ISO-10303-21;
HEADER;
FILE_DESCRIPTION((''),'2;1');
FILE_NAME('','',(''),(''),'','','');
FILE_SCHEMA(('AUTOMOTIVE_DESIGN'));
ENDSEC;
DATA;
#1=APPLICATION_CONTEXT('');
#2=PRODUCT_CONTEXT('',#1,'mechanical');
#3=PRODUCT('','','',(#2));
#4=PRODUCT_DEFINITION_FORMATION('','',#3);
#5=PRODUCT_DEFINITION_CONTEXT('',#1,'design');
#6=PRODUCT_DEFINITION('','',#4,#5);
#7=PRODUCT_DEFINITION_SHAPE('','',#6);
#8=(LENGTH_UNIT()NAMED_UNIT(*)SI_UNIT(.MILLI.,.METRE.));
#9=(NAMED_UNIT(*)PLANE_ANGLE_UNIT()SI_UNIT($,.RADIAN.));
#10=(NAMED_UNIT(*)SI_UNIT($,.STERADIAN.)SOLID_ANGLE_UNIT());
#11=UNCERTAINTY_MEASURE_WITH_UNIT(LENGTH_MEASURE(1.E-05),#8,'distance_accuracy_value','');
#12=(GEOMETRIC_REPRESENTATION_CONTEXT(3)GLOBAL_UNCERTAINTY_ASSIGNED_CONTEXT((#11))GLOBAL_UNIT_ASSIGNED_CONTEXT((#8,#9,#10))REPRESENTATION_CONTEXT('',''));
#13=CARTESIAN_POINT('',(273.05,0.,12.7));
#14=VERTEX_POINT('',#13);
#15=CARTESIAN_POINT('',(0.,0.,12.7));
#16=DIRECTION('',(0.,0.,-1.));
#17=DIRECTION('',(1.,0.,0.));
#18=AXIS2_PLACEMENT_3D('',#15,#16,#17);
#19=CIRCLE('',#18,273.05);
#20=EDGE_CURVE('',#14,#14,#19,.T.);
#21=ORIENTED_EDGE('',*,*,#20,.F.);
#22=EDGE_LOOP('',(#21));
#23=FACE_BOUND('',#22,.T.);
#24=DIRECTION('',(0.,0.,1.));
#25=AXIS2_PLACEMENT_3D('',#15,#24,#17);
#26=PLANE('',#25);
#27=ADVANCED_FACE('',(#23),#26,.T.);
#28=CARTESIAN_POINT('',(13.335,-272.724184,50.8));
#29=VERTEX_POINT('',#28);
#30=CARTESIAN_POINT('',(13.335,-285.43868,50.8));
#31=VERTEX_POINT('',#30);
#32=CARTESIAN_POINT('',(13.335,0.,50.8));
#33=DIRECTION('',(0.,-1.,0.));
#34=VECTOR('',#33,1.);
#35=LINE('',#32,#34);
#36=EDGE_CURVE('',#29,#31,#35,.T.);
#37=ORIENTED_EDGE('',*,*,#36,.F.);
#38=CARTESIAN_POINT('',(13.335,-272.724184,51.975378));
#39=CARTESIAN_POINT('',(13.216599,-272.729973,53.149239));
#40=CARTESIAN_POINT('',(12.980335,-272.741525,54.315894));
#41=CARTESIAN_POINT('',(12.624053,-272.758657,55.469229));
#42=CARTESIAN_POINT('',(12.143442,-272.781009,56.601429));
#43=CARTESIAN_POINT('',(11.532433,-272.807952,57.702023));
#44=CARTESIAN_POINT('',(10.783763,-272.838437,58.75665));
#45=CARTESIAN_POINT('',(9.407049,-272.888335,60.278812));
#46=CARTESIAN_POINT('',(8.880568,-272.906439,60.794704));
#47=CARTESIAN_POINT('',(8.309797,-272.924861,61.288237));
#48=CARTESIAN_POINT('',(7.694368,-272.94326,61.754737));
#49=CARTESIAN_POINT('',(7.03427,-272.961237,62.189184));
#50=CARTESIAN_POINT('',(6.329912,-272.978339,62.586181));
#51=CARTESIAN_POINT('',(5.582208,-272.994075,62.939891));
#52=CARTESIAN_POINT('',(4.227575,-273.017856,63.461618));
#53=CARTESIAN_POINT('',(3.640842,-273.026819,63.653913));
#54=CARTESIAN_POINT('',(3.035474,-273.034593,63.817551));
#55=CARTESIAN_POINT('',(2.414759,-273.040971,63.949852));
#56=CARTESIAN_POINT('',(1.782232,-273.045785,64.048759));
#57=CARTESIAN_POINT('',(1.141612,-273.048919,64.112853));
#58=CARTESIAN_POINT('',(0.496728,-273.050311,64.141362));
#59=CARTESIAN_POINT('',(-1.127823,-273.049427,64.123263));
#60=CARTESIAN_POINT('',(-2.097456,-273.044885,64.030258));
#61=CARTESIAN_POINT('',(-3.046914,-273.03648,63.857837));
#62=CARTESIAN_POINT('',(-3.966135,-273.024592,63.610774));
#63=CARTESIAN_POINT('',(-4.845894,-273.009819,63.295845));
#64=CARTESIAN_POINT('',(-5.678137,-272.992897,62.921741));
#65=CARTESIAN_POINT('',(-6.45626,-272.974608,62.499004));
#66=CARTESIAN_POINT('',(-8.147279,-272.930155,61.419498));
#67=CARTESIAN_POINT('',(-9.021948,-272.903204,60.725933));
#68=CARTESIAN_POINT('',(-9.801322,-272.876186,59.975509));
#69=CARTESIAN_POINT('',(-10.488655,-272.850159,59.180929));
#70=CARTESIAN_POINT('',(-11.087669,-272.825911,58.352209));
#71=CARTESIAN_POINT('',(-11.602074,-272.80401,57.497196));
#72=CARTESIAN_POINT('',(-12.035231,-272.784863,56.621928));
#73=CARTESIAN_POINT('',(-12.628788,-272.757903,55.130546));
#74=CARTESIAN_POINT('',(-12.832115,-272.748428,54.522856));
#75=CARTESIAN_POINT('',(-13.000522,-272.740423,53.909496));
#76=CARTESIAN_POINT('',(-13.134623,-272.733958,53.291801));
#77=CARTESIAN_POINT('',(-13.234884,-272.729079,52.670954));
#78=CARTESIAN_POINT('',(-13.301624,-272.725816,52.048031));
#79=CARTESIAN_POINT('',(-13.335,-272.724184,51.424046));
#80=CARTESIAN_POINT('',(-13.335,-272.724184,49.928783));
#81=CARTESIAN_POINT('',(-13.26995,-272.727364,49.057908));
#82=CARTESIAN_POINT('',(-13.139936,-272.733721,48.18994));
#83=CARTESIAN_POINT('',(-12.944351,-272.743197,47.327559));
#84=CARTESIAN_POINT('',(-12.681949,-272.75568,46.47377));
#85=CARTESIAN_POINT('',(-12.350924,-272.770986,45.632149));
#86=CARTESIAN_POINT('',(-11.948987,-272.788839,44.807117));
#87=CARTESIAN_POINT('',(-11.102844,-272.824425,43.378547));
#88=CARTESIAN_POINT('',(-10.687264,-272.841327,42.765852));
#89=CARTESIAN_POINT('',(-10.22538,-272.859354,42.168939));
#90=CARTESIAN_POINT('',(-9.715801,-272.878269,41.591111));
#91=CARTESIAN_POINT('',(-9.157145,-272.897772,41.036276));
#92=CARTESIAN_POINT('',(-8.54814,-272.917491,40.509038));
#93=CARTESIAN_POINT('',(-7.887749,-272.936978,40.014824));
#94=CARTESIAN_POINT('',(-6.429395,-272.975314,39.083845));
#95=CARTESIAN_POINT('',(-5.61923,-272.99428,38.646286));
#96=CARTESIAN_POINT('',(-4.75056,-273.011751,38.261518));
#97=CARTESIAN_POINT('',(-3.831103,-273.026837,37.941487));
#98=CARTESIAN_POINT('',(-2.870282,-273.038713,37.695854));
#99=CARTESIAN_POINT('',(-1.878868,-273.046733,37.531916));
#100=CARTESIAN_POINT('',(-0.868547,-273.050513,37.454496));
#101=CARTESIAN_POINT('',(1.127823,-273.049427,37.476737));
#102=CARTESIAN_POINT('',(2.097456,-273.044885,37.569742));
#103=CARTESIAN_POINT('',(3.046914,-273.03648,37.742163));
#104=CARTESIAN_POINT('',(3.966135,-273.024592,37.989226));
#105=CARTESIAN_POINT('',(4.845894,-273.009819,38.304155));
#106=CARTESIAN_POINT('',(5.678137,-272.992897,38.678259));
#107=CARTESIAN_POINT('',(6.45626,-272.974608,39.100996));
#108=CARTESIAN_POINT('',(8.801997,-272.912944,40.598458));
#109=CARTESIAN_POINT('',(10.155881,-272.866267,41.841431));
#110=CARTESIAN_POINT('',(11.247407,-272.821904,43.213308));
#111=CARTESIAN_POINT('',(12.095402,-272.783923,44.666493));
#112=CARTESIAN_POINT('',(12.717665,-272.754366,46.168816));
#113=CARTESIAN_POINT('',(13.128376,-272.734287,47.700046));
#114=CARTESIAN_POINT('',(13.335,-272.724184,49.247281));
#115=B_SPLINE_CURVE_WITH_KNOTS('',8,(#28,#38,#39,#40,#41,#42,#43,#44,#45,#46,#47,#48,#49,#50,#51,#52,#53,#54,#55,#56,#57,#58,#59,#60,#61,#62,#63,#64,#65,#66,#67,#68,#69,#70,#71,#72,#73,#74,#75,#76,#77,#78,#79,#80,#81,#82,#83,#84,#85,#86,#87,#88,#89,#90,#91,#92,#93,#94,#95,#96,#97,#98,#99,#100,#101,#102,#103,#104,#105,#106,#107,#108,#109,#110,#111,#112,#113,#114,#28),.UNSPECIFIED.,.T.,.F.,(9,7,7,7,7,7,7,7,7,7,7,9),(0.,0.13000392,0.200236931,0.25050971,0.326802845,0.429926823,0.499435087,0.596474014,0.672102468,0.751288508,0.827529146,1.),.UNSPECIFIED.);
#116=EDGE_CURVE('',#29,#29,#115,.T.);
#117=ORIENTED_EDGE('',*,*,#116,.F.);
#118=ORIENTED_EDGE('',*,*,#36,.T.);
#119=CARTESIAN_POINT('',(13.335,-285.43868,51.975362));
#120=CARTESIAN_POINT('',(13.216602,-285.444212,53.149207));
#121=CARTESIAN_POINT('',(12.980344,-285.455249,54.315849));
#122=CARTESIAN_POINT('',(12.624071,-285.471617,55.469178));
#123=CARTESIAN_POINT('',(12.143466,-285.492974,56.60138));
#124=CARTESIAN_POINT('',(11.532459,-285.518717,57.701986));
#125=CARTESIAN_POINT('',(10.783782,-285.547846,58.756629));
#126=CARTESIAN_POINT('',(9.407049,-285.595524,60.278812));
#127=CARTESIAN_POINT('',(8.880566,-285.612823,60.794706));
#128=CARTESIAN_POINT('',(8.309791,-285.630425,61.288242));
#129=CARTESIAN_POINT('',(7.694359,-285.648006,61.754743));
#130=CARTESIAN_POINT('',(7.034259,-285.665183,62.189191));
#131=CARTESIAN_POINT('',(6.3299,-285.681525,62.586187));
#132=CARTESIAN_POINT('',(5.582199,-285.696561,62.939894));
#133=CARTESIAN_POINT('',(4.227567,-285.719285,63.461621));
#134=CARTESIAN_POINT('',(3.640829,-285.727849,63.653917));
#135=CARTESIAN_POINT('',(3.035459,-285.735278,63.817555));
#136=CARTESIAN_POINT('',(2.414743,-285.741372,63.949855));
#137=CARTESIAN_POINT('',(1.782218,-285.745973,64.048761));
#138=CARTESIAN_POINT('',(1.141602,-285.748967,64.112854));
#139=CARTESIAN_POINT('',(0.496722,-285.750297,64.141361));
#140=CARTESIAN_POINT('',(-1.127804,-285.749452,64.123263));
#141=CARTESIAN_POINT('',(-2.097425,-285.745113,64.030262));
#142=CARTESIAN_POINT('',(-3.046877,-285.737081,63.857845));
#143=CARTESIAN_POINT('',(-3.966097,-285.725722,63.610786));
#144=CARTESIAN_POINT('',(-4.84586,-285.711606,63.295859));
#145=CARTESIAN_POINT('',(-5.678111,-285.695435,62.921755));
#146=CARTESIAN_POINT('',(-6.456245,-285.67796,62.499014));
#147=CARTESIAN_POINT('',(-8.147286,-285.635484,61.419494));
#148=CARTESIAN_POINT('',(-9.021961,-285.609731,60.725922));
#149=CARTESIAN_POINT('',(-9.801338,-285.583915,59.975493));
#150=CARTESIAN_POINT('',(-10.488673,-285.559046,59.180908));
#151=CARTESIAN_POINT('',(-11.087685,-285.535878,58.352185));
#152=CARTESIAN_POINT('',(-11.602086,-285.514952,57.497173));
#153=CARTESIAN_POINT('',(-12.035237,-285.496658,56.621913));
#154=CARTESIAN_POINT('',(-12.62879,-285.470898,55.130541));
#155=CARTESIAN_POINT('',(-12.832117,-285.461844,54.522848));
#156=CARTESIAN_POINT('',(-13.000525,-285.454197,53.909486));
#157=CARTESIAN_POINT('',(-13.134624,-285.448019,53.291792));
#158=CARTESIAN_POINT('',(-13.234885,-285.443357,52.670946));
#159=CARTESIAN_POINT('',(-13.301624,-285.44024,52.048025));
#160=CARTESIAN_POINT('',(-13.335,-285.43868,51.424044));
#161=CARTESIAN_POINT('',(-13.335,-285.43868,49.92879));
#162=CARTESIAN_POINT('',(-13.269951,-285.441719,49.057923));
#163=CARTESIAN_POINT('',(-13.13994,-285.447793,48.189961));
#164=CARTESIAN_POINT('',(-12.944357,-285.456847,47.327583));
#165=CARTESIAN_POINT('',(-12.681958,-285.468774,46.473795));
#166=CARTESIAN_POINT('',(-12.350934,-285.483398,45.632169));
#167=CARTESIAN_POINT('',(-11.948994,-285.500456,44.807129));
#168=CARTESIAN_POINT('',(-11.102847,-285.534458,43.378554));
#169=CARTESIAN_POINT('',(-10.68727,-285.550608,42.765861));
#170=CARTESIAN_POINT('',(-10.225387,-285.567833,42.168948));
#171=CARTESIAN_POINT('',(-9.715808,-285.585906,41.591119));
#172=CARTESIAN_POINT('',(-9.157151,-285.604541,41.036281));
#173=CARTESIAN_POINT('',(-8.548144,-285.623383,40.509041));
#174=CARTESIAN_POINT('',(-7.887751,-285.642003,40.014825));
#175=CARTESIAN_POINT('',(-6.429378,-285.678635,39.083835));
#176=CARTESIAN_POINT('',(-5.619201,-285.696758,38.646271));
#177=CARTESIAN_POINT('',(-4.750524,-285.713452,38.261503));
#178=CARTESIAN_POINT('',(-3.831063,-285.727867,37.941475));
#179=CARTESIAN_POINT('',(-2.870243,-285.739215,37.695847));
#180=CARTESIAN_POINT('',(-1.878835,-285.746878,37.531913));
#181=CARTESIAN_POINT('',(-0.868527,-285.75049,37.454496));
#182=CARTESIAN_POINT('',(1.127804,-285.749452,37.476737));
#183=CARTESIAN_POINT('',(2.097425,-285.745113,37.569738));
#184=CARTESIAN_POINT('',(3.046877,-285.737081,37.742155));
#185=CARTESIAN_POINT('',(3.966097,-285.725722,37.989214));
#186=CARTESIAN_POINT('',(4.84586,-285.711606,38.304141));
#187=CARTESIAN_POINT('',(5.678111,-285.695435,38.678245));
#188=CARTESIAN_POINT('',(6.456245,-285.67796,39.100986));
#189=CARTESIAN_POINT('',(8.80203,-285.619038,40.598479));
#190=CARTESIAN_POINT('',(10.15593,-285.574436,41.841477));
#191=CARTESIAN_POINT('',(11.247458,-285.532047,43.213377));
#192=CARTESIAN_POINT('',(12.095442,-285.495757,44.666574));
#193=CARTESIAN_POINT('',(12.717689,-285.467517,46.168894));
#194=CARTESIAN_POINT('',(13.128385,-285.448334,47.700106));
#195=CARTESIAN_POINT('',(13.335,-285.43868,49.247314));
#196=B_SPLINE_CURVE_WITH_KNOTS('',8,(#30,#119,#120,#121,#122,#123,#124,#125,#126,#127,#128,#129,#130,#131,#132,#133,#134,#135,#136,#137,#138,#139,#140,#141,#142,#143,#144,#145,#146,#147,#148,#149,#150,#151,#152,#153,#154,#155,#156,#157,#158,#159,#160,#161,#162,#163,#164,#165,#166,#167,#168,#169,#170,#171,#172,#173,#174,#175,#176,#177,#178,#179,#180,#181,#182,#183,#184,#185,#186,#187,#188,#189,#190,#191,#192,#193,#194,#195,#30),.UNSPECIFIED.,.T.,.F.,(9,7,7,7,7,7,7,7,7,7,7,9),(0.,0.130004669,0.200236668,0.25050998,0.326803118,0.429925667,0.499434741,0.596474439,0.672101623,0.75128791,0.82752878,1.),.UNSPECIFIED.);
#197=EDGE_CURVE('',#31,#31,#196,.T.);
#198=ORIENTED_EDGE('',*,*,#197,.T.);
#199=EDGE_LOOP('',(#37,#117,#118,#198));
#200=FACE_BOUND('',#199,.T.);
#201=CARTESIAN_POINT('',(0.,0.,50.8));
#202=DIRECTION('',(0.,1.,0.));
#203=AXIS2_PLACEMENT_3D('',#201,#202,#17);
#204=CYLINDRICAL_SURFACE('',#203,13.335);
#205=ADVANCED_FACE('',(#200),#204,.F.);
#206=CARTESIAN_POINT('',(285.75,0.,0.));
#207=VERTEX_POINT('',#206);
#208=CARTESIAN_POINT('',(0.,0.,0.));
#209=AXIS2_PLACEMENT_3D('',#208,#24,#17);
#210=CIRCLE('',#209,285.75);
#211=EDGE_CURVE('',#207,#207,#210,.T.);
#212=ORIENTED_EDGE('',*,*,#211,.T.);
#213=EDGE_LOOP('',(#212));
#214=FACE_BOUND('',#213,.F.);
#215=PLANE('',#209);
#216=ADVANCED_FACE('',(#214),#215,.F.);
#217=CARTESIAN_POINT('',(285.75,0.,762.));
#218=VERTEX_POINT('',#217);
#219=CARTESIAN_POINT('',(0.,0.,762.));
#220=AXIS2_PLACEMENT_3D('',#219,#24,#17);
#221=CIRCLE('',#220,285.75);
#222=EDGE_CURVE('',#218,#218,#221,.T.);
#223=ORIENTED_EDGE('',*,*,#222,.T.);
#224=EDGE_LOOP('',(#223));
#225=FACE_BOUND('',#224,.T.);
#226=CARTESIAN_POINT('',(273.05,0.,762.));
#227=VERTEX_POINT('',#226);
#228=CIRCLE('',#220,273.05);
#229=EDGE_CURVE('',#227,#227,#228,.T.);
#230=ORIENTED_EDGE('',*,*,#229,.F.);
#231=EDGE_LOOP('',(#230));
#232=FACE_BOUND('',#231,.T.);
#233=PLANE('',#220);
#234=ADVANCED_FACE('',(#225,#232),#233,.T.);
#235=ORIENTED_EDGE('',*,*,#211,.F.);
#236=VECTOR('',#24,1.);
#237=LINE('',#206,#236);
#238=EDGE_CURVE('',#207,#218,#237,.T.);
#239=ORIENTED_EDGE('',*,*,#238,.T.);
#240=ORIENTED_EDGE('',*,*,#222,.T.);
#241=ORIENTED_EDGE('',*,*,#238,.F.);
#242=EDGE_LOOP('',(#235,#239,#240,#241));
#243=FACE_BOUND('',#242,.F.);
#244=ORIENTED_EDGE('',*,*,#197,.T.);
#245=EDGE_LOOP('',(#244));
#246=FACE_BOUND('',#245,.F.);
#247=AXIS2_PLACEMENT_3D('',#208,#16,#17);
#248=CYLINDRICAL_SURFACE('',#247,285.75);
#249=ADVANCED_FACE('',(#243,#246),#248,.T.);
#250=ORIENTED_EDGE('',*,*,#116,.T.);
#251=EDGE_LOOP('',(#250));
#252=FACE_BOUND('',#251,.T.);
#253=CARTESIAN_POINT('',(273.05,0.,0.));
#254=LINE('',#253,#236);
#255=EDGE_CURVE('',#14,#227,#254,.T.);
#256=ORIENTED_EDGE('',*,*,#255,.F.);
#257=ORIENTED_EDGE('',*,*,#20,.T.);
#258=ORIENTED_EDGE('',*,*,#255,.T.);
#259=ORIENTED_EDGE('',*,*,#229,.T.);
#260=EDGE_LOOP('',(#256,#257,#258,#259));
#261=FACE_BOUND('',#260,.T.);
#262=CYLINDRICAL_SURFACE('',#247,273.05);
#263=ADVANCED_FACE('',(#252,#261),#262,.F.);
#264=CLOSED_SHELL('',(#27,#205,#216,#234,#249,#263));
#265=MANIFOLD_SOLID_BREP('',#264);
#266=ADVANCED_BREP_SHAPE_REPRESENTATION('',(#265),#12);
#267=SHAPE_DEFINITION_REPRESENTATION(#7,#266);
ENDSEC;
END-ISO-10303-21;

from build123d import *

# Parameters (mm, degrees)
F0_R     = 285.75
F1_DEPTH = 762
F2_T     = -12.7
F3_R     = 13.335
F4_DEPTH = 327.66


with BuildPart() as f1:
    # F0 (on Top) → F1 (new body)
    with BuildSketch(Plane.XY):
        Circle(F0_R)
    extrude(amount=F1_DEPTH)

    # F2
    f2_openings = [f1.faces().sort_by_distance(p)[0] for p in [
        (0, 0, 762),
    ]]
    offset(amount=F2_T, openings=f2_openings)

    # F3 (on Front) → F4 (cut)
    with BuildSketch(Plane.XZ):
        with Locations((0, 50.8)):
            Circle(F3_R)
    extrude(amount=F4_DEPTH, mode=Mode.SUBTRACT)


solid = f1.part
